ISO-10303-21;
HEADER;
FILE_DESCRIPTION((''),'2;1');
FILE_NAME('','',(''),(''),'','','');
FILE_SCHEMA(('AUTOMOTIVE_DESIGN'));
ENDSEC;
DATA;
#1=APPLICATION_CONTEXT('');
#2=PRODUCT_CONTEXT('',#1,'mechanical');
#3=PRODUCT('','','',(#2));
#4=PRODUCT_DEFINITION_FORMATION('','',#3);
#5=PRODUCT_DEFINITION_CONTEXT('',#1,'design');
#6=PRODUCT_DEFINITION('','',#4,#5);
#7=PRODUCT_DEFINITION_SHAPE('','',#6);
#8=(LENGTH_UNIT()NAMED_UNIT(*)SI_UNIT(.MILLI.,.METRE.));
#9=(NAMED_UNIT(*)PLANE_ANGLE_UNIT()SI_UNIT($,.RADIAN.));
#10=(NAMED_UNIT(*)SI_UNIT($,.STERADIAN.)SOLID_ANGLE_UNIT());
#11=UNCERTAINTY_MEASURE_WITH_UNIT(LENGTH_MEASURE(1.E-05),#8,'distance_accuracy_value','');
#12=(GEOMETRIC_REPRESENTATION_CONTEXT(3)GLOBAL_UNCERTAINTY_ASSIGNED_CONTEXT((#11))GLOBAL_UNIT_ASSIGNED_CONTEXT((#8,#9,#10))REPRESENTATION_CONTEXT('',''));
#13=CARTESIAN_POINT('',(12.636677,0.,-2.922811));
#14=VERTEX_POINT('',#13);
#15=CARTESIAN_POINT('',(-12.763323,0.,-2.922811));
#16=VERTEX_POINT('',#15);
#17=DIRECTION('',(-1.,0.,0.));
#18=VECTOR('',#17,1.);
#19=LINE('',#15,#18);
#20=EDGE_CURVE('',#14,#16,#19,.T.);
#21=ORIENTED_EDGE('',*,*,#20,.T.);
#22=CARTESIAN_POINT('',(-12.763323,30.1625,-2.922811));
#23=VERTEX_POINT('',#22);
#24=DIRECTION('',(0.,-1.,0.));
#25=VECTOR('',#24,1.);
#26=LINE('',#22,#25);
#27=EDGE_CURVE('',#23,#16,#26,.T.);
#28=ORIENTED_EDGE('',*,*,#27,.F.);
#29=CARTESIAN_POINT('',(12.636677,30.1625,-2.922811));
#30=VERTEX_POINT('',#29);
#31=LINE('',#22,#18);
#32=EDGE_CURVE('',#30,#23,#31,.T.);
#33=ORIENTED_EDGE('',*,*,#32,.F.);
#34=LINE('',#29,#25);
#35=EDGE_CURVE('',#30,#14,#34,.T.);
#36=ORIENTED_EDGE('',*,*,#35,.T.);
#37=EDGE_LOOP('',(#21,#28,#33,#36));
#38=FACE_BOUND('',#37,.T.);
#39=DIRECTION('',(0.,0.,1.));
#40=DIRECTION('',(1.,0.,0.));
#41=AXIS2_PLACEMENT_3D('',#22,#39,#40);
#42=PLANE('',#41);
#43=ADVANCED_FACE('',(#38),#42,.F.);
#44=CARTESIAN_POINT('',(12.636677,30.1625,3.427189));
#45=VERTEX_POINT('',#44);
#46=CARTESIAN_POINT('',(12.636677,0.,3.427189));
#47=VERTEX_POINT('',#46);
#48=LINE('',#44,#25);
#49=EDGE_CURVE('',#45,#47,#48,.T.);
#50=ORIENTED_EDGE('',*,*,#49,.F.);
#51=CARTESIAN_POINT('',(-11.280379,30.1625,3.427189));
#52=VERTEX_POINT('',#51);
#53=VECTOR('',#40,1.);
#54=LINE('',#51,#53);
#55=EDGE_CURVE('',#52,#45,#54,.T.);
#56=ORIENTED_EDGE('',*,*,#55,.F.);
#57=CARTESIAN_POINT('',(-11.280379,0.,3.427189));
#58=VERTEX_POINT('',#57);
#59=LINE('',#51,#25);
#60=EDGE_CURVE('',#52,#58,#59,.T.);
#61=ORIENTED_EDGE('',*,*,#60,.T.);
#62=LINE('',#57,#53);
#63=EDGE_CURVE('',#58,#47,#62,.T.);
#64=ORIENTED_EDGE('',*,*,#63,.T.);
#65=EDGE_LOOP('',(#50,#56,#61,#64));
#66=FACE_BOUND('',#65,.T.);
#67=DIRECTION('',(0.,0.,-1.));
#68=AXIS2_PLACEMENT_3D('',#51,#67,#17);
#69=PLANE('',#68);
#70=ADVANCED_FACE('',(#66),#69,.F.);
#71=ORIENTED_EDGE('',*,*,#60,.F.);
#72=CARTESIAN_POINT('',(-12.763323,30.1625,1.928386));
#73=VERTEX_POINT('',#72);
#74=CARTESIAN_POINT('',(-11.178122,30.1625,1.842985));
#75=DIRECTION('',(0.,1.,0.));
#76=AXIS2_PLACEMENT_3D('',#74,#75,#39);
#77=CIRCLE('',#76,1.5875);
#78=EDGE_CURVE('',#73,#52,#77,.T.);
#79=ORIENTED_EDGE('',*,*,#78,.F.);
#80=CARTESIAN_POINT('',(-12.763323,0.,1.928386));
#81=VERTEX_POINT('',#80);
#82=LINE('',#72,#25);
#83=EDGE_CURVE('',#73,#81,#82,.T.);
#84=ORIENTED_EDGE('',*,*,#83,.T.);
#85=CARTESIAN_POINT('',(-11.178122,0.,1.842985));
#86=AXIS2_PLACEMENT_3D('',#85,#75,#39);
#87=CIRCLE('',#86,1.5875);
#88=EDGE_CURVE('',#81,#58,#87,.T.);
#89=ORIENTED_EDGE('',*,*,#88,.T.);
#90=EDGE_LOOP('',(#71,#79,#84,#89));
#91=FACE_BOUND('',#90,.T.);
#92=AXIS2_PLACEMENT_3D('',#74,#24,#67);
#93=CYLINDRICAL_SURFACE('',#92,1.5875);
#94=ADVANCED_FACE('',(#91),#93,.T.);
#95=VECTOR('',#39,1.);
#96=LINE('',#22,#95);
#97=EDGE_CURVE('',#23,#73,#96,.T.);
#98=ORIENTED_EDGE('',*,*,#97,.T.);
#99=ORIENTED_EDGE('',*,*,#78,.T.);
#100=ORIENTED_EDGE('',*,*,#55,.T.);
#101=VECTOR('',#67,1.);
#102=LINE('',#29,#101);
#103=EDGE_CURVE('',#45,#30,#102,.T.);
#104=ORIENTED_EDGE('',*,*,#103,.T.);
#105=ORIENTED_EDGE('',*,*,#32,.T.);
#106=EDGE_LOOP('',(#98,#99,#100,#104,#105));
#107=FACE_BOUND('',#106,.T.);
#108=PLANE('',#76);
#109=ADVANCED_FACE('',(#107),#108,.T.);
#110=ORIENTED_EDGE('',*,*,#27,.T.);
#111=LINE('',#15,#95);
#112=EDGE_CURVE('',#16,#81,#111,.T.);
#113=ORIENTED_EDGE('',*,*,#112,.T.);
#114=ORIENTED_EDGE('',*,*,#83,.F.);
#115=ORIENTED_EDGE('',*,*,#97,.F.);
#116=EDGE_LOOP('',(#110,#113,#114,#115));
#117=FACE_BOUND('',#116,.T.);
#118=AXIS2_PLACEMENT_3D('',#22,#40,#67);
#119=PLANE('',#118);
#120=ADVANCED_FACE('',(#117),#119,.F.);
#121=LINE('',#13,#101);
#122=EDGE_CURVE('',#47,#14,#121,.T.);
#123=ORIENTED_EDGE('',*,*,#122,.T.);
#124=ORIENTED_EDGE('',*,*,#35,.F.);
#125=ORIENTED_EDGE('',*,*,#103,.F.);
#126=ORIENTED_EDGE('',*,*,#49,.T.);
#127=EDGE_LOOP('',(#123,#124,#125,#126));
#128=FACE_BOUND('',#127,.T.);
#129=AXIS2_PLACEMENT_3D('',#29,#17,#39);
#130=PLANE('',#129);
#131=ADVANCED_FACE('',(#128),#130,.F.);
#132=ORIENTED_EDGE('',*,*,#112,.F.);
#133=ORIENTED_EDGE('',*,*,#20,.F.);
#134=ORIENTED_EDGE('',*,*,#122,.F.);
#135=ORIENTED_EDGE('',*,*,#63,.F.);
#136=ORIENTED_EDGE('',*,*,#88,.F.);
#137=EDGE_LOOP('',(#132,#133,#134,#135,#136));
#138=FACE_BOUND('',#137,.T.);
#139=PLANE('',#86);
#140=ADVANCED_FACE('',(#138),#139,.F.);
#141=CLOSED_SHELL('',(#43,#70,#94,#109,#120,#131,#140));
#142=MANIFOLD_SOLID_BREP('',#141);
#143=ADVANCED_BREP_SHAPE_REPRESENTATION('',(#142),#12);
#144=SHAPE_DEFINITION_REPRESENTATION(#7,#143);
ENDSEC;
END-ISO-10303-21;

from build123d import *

# Parameters (mm, degrees)
BOSS_EXTRUDE1_DEPTH = 30.1625


with BuildPart() as part:
    # Sketch1 → Boss-Extrude1 (new body)
    with BuildSketch(Plane(origin=(0, 0, 0), x_dir=(1, 0, 0), z_dir=(0, 1, 0))):
        with BuildLine():
            Line((-12.763323234, 2.922811354), (12.636676766, 2.922811354))
            Line((12.636676766, 2.922811354), (12.636676766, -3.427188646))
            Line((12.636676766, -3.427188646), (-11.280378702, -3.427188646))
            ThreePointArc((-11.280378702, -3.427188646), (-12.306608047, -2.959531666), (-12.763323234, -1.928386208))
            Line((-12.763323234, -1.928386208), (-12.763323234, 2.922811354))
        make_face()
    extrude(amount=BOSS_EXTRUDE1_DEPTH)


solid = part.part
